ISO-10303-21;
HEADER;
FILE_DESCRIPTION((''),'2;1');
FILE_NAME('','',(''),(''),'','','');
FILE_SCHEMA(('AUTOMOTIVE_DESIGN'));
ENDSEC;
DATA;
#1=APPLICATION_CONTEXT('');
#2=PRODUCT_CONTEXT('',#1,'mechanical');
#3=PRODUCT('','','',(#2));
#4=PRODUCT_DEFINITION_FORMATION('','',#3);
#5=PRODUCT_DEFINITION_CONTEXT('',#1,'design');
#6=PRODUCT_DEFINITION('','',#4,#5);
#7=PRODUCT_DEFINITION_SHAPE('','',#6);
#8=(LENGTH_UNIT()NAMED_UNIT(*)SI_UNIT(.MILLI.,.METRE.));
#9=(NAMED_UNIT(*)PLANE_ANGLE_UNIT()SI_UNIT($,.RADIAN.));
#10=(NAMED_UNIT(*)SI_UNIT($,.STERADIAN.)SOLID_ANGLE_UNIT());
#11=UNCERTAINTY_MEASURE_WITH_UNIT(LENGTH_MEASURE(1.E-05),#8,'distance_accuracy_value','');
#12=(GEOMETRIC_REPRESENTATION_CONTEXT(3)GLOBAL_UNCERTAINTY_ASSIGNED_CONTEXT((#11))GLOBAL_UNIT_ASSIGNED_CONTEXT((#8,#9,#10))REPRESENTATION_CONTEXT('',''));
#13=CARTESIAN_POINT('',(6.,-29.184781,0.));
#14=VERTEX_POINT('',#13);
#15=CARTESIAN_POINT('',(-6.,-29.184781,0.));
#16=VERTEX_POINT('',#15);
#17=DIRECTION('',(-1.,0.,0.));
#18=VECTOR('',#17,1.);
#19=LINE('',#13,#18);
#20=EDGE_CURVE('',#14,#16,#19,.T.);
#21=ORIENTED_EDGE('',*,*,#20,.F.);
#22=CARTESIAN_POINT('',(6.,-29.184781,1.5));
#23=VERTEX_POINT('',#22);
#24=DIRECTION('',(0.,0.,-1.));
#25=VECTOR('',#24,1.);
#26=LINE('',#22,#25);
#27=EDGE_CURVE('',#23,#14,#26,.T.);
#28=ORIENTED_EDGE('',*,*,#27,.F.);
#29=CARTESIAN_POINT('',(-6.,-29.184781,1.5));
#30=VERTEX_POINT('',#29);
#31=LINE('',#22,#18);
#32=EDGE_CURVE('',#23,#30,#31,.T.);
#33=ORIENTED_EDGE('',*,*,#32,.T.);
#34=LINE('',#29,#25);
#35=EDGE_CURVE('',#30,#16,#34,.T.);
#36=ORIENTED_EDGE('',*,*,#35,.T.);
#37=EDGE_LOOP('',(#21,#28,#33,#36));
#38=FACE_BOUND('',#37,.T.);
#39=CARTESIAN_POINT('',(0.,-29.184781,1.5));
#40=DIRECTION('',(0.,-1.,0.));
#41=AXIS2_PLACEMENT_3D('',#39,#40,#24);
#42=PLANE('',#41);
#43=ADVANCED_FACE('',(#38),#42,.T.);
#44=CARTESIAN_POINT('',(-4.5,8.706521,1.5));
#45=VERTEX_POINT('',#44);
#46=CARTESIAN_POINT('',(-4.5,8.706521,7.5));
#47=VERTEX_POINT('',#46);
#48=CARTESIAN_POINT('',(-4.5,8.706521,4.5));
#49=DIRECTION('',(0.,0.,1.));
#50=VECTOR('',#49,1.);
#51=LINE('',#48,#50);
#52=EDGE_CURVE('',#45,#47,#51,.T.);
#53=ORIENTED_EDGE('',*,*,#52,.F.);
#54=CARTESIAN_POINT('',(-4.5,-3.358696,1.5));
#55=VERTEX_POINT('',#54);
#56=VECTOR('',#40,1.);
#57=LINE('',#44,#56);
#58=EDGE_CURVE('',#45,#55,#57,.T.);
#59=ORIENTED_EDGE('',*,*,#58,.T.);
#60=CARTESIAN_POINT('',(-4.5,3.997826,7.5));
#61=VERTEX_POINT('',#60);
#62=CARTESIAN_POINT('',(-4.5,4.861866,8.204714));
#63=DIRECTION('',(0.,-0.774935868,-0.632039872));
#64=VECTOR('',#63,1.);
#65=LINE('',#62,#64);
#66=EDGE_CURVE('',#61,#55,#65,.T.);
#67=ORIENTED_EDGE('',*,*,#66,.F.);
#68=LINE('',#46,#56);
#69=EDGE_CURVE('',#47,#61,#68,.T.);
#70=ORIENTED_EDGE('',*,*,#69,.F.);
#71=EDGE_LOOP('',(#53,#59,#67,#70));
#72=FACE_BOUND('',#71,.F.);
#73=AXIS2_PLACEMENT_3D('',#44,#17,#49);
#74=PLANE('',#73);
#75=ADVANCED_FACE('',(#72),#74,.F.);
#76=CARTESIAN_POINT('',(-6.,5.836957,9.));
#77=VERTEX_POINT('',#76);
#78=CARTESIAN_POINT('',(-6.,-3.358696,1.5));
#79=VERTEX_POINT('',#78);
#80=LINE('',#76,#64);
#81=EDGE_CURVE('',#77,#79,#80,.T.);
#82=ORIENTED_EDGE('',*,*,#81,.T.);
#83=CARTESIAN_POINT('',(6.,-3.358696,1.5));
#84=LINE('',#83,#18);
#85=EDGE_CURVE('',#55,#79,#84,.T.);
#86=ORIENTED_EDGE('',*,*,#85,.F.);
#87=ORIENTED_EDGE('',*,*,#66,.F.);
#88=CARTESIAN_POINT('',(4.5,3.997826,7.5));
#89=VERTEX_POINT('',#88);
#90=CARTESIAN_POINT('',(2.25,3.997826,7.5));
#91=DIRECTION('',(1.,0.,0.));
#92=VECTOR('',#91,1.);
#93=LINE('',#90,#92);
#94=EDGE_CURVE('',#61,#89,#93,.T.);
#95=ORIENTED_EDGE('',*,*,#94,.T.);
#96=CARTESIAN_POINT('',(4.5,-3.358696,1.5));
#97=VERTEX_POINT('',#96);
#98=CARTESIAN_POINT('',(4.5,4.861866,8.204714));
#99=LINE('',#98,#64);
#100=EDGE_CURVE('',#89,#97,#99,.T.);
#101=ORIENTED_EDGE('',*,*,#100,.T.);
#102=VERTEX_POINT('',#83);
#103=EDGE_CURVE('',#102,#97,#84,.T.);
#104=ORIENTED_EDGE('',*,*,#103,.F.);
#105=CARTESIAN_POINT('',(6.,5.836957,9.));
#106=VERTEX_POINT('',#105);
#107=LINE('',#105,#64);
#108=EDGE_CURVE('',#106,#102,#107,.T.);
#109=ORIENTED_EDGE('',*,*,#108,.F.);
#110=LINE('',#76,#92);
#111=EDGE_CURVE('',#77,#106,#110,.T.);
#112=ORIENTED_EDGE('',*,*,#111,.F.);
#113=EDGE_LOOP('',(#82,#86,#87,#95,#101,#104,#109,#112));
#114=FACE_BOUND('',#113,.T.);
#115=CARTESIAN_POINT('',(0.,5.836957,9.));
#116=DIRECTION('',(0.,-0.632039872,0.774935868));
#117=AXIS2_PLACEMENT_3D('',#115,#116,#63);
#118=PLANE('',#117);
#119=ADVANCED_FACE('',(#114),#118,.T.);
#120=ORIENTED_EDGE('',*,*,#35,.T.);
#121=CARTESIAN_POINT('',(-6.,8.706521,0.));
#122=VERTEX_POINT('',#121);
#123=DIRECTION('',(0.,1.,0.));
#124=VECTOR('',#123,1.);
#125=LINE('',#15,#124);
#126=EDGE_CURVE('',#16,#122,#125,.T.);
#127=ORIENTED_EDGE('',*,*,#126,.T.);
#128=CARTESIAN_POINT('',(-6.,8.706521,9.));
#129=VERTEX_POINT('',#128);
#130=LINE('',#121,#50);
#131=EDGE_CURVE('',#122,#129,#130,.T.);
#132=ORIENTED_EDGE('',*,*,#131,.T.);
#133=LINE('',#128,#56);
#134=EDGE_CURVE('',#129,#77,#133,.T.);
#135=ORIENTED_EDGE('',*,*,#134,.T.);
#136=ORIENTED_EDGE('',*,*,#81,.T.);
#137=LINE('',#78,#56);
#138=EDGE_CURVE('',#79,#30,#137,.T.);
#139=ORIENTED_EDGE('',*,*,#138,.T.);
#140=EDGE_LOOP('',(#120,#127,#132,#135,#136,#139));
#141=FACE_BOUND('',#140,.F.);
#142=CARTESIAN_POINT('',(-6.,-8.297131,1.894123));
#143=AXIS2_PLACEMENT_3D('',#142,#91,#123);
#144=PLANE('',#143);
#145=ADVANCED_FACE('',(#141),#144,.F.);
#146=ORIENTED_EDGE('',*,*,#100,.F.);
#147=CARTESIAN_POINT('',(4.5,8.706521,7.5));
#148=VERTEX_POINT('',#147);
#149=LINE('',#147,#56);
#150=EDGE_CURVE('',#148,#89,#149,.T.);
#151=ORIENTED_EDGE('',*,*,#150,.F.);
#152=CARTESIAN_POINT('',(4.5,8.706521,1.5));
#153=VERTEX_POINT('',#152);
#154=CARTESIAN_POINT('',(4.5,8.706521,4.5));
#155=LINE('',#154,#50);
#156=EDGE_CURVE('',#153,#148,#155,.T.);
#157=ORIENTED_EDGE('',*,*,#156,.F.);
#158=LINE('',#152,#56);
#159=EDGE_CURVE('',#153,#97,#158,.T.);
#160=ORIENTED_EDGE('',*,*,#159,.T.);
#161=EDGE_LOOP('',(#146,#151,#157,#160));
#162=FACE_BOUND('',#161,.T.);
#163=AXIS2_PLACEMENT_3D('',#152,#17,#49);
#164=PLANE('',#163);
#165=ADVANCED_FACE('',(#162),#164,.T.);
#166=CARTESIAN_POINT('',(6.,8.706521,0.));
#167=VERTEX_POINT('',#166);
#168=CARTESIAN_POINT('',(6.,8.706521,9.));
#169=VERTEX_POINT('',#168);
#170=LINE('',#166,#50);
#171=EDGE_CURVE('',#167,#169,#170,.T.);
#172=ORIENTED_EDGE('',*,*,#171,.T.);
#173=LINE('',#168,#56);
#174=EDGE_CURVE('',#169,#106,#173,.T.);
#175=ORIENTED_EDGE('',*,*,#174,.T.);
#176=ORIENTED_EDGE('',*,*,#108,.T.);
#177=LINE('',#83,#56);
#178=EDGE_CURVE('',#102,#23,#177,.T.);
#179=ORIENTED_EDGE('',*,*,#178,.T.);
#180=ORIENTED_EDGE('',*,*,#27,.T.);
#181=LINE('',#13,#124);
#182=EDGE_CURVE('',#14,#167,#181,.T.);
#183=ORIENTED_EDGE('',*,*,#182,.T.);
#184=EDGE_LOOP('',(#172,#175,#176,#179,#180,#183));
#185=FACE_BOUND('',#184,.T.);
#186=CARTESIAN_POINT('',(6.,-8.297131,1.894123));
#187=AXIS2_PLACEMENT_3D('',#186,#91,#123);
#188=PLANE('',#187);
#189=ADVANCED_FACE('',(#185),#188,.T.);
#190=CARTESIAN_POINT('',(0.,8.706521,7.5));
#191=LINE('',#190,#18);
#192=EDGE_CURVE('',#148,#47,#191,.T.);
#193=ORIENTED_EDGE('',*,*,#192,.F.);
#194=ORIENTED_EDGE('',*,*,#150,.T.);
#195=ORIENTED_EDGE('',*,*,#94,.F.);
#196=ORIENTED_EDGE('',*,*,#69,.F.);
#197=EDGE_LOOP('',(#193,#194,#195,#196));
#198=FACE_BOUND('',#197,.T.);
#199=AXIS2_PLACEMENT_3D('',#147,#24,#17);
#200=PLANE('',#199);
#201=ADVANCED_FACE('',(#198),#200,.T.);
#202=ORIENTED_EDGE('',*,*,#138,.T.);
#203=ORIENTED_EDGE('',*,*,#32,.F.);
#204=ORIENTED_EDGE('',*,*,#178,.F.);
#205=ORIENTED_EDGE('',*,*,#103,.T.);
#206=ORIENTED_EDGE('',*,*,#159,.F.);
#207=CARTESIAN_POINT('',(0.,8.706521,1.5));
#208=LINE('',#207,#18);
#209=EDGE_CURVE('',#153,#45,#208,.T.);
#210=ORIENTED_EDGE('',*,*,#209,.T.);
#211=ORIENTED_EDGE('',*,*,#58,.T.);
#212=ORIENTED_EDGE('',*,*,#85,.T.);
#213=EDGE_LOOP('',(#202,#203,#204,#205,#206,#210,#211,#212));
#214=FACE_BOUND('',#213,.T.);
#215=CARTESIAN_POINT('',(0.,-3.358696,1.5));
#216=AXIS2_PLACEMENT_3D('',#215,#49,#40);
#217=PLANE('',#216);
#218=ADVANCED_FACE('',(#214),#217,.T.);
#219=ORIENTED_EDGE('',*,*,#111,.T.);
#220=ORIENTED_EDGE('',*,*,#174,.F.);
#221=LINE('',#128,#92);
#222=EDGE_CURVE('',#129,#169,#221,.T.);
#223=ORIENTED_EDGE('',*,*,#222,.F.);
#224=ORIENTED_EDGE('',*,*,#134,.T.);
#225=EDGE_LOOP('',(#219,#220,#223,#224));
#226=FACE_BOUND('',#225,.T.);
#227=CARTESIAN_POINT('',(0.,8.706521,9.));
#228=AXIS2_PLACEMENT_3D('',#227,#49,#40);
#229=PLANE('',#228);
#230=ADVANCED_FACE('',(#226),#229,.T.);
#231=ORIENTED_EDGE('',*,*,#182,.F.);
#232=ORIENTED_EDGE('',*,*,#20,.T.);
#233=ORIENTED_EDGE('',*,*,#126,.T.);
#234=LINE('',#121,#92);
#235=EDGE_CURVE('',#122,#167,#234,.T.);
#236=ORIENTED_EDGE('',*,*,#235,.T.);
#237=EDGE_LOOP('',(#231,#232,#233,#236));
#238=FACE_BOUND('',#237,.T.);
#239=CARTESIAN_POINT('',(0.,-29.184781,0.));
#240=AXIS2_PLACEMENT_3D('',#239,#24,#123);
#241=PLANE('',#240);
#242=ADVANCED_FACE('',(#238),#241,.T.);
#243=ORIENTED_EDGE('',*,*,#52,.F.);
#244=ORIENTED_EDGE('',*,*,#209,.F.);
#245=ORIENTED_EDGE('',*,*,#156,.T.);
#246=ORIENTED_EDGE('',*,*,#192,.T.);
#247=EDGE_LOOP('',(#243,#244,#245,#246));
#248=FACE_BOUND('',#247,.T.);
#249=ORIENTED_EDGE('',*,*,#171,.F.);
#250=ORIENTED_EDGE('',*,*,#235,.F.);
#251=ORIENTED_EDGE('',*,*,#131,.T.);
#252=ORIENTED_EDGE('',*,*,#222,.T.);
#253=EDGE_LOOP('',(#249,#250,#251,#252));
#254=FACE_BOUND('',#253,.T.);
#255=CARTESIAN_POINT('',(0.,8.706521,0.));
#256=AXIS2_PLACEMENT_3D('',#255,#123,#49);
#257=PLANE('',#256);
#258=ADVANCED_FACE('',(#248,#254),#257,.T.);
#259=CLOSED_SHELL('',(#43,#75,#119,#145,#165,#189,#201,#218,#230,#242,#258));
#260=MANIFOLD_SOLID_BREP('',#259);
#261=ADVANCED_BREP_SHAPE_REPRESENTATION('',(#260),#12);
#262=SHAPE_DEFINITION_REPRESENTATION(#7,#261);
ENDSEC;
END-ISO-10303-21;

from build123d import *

# Parameters (mm, degrees)
F1_DEPTH = 6
F2_W     = 9
F2_H     = 6
F3_DEPTH = 13.0652172513


with BuildPart() as f1:
    # F0 (on Right) → F1 (new body, symmetric)
    with BuildSketch(Plane.YZ):
        Polygon((-29.184781258, 0), (8.7065214151, 0), (8.7065214151, 9), (5.8369566332, 9), (-3.3586958362, 1.5), (-29.184781258, 1.5), align=None)
    extrude(amount=F1_DEPTH, both=True)

    # F2 (on face) → F3 (cut, up to face)
    with BuildSketch(Plane(origin=(0, 8.7065214151, 0), x_dir=(-1, 0, 0), z_dir=(0, 1, 0))):
        with Locations((0, 4.5)):
            Rectangle(F2_W, F2_H)
    extrude(amount=-F3_DEPTH, mode=Mode.SUBTRACT)


solid = f1.part
